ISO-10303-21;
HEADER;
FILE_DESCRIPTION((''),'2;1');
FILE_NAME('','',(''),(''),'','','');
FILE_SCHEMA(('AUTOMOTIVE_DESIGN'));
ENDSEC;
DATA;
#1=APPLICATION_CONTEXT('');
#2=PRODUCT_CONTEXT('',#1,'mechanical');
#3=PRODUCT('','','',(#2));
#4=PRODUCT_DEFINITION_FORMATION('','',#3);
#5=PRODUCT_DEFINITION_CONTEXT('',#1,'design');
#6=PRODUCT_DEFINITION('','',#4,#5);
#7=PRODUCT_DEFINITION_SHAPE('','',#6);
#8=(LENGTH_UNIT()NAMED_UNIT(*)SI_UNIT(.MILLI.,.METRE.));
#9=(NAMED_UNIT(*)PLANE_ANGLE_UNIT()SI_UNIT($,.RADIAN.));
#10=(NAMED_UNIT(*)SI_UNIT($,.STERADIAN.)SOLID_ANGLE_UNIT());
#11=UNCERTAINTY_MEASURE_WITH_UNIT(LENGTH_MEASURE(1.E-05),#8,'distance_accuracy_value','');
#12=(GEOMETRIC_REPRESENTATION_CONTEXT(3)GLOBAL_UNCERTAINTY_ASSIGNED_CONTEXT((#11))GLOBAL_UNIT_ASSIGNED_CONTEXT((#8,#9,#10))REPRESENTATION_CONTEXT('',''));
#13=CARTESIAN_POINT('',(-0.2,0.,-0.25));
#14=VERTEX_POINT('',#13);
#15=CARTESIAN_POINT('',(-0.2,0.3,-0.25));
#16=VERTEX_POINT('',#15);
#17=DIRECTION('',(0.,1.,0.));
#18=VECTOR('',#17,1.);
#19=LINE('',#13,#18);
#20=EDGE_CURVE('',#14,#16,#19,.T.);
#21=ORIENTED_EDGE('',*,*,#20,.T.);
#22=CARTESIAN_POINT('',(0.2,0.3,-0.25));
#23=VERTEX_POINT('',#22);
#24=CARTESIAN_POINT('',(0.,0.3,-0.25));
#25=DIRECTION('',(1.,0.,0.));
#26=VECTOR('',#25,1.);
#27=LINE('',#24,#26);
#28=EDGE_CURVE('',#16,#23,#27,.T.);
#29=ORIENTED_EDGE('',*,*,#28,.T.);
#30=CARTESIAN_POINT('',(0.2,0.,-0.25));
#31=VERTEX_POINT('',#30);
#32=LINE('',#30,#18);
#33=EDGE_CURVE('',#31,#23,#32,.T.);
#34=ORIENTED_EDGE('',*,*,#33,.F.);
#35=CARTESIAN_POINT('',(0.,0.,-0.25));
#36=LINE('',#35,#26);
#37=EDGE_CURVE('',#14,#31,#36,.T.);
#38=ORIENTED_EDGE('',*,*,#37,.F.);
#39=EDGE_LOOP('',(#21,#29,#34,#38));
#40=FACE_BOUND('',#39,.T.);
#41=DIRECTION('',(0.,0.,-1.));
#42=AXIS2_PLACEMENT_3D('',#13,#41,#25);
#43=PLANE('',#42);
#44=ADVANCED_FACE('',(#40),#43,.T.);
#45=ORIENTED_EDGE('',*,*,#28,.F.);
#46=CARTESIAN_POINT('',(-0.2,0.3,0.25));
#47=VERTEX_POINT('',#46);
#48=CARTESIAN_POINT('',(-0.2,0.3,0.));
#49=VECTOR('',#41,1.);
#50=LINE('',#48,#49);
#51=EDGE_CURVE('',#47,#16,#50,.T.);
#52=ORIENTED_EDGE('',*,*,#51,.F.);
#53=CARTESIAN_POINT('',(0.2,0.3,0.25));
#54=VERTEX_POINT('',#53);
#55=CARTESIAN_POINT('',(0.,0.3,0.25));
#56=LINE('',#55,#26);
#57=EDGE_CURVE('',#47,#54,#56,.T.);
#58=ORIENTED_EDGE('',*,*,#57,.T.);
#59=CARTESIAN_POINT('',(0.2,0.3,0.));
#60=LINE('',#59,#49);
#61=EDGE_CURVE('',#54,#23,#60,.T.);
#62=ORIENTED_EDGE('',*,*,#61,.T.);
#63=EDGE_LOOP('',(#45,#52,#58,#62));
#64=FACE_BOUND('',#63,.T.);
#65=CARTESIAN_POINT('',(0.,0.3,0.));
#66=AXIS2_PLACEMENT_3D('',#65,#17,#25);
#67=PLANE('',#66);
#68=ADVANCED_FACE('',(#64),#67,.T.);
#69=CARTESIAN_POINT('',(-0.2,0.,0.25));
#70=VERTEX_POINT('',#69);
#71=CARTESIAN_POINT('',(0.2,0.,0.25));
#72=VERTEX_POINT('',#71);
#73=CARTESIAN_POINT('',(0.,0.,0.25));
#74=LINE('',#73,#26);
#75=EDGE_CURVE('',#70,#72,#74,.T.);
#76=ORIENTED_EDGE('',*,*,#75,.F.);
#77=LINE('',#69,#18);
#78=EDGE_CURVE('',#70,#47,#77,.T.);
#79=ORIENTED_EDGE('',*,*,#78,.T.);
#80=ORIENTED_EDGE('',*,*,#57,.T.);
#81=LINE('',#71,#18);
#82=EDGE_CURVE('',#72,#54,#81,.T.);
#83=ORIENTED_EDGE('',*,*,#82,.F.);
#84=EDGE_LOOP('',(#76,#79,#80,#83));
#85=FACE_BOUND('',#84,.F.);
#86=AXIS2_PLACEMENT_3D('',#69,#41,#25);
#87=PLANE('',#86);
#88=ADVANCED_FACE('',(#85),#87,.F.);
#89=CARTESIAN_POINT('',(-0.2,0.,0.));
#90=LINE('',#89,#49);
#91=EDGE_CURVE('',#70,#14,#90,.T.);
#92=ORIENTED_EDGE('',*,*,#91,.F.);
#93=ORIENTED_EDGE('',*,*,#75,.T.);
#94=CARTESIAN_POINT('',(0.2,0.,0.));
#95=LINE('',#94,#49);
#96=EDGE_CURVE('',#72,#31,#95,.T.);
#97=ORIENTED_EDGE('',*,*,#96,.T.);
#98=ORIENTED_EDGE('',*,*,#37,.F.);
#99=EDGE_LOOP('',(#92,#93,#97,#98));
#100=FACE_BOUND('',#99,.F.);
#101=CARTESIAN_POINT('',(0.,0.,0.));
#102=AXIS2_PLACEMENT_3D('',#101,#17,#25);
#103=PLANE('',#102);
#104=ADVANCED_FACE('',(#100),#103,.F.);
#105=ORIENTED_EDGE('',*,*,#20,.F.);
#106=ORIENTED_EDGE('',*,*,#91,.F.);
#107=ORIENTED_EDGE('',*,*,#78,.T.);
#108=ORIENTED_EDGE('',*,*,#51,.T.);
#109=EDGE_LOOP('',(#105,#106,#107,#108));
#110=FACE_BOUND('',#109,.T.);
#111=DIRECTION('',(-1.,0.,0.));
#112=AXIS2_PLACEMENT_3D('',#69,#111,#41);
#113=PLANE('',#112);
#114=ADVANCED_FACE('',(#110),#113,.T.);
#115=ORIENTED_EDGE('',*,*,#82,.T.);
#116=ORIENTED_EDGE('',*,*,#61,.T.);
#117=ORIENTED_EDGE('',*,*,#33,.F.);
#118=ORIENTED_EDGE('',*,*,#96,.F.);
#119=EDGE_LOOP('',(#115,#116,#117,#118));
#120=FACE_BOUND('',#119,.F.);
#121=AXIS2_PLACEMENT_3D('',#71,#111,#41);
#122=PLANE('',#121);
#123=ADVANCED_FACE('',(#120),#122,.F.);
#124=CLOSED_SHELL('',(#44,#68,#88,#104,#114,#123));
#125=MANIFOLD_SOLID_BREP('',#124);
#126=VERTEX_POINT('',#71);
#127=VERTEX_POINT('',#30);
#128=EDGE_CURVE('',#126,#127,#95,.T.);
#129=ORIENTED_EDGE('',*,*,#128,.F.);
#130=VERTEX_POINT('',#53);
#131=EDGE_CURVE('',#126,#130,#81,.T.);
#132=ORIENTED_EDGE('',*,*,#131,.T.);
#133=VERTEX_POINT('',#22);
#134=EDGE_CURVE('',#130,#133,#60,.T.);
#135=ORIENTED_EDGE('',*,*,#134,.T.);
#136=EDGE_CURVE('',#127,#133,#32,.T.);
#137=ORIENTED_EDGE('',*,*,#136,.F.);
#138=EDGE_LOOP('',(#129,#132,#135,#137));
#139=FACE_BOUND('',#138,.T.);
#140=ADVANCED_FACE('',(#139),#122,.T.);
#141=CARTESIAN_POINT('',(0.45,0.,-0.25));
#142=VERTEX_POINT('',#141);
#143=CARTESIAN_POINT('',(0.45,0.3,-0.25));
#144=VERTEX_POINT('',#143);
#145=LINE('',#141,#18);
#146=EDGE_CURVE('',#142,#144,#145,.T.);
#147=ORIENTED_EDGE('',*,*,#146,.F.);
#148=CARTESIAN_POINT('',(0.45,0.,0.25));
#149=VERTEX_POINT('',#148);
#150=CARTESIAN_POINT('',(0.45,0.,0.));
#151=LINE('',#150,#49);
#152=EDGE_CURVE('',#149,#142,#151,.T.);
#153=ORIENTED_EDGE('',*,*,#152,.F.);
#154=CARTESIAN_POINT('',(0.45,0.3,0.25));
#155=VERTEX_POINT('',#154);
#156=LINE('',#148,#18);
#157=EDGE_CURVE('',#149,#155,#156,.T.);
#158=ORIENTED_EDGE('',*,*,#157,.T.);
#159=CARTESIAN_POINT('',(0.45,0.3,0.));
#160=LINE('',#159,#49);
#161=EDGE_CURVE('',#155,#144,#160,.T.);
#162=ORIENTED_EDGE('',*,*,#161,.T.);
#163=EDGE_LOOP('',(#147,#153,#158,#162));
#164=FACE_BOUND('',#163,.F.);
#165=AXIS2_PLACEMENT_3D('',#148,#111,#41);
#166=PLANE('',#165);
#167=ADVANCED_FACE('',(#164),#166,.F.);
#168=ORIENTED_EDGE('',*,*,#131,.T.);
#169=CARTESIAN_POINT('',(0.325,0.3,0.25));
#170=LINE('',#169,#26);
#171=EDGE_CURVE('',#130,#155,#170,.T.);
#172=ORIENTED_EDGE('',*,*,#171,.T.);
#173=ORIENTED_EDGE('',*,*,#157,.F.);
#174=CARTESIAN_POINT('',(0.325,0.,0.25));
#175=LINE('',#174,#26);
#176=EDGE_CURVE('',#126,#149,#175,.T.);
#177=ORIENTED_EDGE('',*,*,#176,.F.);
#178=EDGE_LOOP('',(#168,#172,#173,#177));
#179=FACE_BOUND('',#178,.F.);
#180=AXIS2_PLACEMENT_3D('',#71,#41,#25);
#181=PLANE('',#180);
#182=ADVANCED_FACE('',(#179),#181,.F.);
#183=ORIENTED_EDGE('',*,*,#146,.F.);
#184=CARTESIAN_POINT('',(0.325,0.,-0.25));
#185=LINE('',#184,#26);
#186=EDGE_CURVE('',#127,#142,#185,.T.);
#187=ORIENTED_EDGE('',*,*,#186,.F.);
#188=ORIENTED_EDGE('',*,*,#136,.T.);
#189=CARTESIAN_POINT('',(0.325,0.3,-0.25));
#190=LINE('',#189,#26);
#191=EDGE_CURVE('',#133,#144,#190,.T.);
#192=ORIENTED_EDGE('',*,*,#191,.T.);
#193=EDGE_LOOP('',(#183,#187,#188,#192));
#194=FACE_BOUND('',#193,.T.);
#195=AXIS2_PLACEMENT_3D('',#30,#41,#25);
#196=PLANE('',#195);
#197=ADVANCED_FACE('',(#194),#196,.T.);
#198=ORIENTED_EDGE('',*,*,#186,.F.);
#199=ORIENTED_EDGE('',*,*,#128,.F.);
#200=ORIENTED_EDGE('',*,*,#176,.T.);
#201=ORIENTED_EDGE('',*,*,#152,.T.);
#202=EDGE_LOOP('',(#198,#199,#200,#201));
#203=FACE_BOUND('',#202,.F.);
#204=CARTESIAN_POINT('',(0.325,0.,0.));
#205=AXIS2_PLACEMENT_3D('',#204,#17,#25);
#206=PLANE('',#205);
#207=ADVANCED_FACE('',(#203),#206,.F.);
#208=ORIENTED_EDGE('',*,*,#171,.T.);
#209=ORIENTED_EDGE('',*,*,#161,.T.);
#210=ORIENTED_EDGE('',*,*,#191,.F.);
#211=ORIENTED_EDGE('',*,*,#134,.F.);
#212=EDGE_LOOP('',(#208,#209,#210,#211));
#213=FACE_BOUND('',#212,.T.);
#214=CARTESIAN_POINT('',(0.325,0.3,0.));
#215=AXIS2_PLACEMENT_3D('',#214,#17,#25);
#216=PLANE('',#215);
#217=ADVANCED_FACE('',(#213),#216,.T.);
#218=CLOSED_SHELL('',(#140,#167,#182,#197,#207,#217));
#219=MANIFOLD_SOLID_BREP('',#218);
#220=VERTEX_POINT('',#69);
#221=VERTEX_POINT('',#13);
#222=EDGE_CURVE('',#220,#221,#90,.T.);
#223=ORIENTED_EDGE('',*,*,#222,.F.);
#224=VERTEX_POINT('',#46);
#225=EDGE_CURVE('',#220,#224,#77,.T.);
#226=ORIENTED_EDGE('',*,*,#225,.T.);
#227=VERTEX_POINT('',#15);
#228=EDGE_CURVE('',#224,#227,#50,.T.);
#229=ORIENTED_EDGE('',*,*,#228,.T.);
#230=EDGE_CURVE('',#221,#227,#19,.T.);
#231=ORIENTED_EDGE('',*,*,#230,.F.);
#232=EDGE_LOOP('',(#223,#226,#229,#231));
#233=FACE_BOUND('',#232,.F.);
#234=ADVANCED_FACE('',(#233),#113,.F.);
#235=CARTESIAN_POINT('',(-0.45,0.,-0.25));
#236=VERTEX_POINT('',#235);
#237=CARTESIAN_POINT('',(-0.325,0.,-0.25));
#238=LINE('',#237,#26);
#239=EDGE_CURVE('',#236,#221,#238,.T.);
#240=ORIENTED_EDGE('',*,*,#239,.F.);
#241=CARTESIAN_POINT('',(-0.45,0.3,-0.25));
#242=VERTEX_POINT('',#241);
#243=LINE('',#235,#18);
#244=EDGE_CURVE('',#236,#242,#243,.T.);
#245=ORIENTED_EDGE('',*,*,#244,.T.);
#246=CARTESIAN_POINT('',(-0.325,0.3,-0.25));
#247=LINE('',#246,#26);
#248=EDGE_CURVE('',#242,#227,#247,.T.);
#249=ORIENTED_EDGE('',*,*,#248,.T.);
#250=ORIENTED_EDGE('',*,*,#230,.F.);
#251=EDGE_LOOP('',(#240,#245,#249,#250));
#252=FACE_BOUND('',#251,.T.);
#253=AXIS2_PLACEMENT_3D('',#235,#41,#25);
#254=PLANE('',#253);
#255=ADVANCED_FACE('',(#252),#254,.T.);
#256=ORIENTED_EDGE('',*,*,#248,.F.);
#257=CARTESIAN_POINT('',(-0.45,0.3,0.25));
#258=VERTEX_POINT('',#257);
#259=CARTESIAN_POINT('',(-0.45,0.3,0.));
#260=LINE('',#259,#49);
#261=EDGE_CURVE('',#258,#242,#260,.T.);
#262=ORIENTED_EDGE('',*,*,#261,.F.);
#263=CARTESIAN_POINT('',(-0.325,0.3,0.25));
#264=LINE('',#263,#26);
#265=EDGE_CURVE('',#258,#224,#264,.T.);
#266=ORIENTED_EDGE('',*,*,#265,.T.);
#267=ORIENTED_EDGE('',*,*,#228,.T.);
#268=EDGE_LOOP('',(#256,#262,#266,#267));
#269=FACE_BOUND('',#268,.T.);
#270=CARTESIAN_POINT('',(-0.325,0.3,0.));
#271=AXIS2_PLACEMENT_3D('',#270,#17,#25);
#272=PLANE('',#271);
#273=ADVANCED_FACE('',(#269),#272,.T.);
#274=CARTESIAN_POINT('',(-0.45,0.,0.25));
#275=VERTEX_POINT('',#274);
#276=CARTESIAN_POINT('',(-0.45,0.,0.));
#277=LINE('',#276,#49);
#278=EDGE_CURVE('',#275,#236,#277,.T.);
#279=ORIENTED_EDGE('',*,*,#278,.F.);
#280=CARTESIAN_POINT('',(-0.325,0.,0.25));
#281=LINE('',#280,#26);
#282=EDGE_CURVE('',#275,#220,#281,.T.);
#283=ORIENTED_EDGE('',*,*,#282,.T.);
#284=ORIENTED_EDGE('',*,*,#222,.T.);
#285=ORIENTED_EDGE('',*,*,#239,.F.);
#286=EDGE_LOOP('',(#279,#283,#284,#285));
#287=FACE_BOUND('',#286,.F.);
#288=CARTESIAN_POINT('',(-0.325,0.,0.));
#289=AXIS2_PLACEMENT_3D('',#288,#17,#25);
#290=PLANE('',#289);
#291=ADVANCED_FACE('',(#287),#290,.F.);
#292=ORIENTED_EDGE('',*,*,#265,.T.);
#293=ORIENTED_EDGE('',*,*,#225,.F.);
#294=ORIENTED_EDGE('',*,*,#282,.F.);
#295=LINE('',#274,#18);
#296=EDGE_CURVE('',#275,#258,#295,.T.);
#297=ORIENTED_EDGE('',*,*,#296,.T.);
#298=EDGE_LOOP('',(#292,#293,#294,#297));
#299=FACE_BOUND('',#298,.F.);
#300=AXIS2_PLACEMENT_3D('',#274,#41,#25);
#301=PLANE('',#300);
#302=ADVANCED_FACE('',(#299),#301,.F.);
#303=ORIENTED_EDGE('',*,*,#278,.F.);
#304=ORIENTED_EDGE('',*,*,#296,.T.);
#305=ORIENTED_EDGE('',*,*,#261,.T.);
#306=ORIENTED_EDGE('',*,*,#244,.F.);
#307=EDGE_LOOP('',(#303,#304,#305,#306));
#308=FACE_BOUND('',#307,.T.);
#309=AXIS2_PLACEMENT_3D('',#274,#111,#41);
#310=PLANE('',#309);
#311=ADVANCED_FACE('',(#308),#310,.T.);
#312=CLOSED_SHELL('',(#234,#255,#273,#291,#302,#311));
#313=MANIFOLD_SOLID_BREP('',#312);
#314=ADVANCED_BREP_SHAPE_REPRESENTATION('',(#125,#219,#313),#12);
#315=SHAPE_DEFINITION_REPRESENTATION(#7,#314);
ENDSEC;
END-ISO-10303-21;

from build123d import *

# Parameters (mm, degrees)
SKETCH1_W             = 0.4
SKETCH1_H             = 0.5
BOSS_EXTRUDE1_DEPTH   = 0.3
SKETCH2_W             = 0.25
SKETCH2_H             = 0.5
BOSS_EXTRUDE2_DEPTH   = 0.3
BOSS_EXTRUDE2_2_DEPTH = 0.3


with BuildPart() as part:
    # Sketch1 → Boss-Extrude1 (new body)
    with BuildSketch(Plane(origin=(0, 0, 0), x_dir=(1, 0, 0), z_dir=(0, 1, 0))):
        Rectangle(SKETCH1_W, SKETCH1_H)
    extrude(amount=BOSS_EXTRUDE1_DEPTH)


with BuildPart() as body_2:
    # Sketch2 → Boss-Extrude2 (new body)
    with BuildSketch(Plane(origin=(0, 0, 0), x_dir=(1, 0, 0), z_dir=(0, 1, 0))):
        with Locations((-0.325, 0)):
            Rectangle(SKETCH2_W, SKETCH2_H)
    extrude(amount=BOSS_EXTRUDE2_DEPTH)


with BuildPart() as body_3:
    # Sketch2 → Boss-Extrude2 2 (new body)
    with BuildSketch(Plane(origin=(0, 0, 0), x_dir=(1, 0, 0), z_dir=(0, 1, 0))):
        with Locations((0.325, 0)):
            Rectangle(SKETCH2_W, SKETCH2_H)
    extrude(amount=BOSS_EXTRUDE2_2_DEPTH)


solid = Compound([part.part, body_2.part, body_3.part])
